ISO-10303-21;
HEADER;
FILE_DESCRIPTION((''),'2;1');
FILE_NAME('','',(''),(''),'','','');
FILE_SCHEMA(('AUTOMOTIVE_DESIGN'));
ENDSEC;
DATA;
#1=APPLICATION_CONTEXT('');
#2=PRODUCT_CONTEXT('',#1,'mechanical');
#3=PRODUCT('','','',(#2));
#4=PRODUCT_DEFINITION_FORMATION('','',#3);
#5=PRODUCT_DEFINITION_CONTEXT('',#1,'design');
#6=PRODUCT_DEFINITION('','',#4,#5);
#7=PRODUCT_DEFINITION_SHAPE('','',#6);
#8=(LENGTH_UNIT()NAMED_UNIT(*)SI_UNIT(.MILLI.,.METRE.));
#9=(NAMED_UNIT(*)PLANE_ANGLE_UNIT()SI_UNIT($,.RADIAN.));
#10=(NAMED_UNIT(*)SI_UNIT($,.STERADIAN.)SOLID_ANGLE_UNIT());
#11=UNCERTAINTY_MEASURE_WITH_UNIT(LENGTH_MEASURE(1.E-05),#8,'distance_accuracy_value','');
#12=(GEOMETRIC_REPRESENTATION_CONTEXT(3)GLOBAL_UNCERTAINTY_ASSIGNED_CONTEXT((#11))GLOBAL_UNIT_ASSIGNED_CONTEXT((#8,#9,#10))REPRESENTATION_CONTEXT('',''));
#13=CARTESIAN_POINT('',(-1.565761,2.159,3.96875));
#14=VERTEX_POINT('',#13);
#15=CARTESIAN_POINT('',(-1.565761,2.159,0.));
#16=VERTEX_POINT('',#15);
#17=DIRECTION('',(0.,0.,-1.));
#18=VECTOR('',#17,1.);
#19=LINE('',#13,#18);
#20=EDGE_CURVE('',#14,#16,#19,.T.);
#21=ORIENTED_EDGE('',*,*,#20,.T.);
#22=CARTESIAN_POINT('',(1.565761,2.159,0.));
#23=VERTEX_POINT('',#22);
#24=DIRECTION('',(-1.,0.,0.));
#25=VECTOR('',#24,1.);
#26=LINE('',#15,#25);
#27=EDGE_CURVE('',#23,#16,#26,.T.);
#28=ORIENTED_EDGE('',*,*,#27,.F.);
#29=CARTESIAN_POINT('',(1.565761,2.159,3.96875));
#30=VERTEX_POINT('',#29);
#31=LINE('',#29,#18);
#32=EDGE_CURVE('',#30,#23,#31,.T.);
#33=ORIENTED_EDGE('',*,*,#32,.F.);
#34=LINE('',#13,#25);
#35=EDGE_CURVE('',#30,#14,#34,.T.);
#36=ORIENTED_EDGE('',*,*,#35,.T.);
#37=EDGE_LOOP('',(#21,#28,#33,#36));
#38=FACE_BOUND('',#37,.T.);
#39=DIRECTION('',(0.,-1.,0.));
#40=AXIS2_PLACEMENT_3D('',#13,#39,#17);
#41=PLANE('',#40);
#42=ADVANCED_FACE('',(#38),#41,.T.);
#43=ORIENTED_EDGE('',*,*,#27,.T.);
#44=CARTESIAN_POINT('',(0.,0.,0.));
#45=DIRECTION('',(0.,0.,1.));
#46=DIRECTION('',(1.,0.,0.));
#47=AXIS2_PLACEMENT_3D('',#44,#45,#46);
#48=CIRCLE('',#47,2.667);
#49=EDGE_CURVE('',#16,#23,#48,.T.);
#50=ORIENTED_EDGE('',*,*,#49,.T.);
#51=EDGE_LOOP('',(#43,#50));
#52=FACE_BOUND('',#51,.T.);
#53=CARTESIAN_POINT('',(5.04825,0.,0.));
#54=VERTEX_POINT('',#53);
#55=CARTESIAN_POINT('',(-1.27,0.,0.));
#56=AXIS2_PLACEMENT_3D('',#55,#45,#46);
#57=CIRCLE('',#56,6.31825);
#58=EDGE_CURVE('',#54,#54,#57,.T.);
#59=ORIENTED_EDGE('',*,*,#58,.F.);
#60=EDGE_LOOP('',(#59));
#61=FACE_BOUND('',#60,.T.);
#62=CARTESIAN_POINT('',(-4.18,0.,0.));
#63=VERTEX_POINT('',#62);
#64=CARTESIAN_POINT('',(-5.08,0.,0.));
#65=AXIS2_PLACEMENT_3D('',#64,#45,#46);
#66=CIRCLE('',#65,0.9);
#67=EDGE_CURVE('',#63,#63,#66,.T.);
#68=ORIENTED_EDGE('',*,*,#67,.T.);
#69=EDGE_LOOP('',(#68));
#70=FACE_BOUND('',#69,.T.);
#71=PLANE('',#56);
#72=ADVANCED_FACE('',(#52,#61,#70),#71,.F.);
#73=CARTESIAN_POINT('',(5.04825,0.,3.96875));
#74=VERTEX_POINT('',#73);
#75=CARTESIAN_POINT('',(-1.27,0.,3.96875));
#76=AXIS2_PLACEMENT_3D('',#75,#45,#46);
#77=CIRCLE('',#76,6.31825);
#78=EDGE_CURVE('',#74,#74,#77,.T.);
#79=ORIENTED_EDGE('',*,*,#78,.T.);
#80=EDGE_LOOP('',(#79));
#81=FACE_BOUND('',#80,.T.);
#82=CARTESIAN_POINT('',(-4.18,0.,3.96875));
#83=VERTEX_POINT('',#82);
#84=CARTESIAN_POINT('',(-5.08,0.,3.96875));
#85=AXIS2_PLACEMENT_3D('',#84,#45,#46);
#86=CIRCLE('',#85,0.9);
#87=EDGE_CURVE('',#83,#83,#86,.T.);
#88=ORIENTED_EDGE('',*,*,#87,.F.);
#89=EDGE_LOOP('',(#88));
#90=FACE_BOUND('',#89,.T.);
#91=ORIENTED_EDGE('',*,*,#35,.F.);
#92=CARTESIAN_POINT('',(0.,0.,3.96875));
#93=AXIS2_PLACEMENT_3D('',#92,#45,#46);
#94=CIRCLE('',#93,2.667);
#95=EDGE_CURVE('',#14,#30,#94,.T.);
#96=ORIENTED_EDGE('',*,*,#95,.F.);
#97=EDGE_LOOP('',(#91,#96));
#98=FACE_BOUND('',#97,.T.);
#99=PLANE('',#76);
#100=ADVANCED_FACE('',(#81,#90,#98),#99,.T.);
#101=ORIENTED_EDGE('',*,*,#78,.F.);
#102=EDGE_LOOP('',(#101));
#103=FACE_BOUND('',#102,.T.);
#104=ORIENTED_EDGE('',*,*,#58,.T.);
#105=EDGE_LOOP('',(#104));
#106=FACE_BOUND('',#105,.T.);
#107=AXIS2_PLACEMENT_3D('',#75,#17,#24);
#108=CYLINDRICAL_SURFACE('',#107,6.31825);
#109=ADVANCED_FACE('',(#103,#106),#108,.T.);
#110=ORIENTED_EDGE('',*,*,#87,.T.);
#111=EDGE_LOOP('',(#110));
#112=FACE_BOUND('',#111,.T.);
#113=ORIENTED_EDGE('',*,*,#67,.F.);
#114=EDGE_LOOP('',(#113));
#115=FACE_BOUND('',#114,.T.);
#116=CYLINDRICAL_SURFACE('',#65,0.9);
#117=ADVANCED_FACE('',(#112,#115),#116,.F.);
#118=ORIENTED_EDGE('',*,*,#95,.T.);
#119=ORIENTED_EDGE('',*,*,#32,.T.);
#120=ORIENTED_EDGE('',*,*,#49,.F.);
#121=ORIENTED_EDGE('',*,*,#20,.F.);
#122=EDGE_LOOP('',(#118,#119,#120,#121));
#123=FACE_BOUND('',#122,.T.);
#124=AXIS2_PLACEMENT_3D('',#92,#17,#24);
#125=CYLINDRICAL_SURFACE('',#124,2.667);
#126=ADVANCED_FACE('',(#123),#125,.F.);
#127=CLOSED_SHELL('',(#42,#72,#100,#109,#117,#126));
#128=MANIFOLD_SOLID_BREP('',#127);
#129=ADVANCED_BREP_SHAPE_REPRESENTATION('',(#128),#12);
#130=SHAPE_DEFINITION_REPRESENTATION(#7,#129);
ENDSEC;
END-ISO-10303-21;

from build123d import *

# Parameters (mm, degrees)
SKETCH1_R           = 6.31825
BOSS_EXTRUDE1_DEPTH = 3.96875
SKETCH8_R           = 0.9
CUT_EXTRUDE2_DEPTH  = 11.642029773


with BuildPart() as part:
    # Sketch1 → Boss-Extrude1 (new body)
    with BuildSketch(Plane.XY):
        with Locations((-1.27, 0)):
            Circle(SKETCH1_R)
        with BuildLine():
            Line((-1.565761157, 2.159), (1.565761157, 2.159))
            ThreePointArc((1.565761157, 2.159), (0, -2.667), (-1.565761157, 2.159))
        make_face(mode=Mode.SUBTRACT)
    extrude(amount=BOSS_EXTRUDE1_DEPTH)

    # Sketch8 → Cut-Extrude2 (cut, through all)
    with BuildSketch(Plane.XY.offset(3.96875)):
        with Locations((-5.08, 0)):
            Circle(SKETCH8_R)
    extrude(amount=-CUT_EXTRUDE2_DEPTH, mode=Mode.SUBTRACT)


solid = part.part
